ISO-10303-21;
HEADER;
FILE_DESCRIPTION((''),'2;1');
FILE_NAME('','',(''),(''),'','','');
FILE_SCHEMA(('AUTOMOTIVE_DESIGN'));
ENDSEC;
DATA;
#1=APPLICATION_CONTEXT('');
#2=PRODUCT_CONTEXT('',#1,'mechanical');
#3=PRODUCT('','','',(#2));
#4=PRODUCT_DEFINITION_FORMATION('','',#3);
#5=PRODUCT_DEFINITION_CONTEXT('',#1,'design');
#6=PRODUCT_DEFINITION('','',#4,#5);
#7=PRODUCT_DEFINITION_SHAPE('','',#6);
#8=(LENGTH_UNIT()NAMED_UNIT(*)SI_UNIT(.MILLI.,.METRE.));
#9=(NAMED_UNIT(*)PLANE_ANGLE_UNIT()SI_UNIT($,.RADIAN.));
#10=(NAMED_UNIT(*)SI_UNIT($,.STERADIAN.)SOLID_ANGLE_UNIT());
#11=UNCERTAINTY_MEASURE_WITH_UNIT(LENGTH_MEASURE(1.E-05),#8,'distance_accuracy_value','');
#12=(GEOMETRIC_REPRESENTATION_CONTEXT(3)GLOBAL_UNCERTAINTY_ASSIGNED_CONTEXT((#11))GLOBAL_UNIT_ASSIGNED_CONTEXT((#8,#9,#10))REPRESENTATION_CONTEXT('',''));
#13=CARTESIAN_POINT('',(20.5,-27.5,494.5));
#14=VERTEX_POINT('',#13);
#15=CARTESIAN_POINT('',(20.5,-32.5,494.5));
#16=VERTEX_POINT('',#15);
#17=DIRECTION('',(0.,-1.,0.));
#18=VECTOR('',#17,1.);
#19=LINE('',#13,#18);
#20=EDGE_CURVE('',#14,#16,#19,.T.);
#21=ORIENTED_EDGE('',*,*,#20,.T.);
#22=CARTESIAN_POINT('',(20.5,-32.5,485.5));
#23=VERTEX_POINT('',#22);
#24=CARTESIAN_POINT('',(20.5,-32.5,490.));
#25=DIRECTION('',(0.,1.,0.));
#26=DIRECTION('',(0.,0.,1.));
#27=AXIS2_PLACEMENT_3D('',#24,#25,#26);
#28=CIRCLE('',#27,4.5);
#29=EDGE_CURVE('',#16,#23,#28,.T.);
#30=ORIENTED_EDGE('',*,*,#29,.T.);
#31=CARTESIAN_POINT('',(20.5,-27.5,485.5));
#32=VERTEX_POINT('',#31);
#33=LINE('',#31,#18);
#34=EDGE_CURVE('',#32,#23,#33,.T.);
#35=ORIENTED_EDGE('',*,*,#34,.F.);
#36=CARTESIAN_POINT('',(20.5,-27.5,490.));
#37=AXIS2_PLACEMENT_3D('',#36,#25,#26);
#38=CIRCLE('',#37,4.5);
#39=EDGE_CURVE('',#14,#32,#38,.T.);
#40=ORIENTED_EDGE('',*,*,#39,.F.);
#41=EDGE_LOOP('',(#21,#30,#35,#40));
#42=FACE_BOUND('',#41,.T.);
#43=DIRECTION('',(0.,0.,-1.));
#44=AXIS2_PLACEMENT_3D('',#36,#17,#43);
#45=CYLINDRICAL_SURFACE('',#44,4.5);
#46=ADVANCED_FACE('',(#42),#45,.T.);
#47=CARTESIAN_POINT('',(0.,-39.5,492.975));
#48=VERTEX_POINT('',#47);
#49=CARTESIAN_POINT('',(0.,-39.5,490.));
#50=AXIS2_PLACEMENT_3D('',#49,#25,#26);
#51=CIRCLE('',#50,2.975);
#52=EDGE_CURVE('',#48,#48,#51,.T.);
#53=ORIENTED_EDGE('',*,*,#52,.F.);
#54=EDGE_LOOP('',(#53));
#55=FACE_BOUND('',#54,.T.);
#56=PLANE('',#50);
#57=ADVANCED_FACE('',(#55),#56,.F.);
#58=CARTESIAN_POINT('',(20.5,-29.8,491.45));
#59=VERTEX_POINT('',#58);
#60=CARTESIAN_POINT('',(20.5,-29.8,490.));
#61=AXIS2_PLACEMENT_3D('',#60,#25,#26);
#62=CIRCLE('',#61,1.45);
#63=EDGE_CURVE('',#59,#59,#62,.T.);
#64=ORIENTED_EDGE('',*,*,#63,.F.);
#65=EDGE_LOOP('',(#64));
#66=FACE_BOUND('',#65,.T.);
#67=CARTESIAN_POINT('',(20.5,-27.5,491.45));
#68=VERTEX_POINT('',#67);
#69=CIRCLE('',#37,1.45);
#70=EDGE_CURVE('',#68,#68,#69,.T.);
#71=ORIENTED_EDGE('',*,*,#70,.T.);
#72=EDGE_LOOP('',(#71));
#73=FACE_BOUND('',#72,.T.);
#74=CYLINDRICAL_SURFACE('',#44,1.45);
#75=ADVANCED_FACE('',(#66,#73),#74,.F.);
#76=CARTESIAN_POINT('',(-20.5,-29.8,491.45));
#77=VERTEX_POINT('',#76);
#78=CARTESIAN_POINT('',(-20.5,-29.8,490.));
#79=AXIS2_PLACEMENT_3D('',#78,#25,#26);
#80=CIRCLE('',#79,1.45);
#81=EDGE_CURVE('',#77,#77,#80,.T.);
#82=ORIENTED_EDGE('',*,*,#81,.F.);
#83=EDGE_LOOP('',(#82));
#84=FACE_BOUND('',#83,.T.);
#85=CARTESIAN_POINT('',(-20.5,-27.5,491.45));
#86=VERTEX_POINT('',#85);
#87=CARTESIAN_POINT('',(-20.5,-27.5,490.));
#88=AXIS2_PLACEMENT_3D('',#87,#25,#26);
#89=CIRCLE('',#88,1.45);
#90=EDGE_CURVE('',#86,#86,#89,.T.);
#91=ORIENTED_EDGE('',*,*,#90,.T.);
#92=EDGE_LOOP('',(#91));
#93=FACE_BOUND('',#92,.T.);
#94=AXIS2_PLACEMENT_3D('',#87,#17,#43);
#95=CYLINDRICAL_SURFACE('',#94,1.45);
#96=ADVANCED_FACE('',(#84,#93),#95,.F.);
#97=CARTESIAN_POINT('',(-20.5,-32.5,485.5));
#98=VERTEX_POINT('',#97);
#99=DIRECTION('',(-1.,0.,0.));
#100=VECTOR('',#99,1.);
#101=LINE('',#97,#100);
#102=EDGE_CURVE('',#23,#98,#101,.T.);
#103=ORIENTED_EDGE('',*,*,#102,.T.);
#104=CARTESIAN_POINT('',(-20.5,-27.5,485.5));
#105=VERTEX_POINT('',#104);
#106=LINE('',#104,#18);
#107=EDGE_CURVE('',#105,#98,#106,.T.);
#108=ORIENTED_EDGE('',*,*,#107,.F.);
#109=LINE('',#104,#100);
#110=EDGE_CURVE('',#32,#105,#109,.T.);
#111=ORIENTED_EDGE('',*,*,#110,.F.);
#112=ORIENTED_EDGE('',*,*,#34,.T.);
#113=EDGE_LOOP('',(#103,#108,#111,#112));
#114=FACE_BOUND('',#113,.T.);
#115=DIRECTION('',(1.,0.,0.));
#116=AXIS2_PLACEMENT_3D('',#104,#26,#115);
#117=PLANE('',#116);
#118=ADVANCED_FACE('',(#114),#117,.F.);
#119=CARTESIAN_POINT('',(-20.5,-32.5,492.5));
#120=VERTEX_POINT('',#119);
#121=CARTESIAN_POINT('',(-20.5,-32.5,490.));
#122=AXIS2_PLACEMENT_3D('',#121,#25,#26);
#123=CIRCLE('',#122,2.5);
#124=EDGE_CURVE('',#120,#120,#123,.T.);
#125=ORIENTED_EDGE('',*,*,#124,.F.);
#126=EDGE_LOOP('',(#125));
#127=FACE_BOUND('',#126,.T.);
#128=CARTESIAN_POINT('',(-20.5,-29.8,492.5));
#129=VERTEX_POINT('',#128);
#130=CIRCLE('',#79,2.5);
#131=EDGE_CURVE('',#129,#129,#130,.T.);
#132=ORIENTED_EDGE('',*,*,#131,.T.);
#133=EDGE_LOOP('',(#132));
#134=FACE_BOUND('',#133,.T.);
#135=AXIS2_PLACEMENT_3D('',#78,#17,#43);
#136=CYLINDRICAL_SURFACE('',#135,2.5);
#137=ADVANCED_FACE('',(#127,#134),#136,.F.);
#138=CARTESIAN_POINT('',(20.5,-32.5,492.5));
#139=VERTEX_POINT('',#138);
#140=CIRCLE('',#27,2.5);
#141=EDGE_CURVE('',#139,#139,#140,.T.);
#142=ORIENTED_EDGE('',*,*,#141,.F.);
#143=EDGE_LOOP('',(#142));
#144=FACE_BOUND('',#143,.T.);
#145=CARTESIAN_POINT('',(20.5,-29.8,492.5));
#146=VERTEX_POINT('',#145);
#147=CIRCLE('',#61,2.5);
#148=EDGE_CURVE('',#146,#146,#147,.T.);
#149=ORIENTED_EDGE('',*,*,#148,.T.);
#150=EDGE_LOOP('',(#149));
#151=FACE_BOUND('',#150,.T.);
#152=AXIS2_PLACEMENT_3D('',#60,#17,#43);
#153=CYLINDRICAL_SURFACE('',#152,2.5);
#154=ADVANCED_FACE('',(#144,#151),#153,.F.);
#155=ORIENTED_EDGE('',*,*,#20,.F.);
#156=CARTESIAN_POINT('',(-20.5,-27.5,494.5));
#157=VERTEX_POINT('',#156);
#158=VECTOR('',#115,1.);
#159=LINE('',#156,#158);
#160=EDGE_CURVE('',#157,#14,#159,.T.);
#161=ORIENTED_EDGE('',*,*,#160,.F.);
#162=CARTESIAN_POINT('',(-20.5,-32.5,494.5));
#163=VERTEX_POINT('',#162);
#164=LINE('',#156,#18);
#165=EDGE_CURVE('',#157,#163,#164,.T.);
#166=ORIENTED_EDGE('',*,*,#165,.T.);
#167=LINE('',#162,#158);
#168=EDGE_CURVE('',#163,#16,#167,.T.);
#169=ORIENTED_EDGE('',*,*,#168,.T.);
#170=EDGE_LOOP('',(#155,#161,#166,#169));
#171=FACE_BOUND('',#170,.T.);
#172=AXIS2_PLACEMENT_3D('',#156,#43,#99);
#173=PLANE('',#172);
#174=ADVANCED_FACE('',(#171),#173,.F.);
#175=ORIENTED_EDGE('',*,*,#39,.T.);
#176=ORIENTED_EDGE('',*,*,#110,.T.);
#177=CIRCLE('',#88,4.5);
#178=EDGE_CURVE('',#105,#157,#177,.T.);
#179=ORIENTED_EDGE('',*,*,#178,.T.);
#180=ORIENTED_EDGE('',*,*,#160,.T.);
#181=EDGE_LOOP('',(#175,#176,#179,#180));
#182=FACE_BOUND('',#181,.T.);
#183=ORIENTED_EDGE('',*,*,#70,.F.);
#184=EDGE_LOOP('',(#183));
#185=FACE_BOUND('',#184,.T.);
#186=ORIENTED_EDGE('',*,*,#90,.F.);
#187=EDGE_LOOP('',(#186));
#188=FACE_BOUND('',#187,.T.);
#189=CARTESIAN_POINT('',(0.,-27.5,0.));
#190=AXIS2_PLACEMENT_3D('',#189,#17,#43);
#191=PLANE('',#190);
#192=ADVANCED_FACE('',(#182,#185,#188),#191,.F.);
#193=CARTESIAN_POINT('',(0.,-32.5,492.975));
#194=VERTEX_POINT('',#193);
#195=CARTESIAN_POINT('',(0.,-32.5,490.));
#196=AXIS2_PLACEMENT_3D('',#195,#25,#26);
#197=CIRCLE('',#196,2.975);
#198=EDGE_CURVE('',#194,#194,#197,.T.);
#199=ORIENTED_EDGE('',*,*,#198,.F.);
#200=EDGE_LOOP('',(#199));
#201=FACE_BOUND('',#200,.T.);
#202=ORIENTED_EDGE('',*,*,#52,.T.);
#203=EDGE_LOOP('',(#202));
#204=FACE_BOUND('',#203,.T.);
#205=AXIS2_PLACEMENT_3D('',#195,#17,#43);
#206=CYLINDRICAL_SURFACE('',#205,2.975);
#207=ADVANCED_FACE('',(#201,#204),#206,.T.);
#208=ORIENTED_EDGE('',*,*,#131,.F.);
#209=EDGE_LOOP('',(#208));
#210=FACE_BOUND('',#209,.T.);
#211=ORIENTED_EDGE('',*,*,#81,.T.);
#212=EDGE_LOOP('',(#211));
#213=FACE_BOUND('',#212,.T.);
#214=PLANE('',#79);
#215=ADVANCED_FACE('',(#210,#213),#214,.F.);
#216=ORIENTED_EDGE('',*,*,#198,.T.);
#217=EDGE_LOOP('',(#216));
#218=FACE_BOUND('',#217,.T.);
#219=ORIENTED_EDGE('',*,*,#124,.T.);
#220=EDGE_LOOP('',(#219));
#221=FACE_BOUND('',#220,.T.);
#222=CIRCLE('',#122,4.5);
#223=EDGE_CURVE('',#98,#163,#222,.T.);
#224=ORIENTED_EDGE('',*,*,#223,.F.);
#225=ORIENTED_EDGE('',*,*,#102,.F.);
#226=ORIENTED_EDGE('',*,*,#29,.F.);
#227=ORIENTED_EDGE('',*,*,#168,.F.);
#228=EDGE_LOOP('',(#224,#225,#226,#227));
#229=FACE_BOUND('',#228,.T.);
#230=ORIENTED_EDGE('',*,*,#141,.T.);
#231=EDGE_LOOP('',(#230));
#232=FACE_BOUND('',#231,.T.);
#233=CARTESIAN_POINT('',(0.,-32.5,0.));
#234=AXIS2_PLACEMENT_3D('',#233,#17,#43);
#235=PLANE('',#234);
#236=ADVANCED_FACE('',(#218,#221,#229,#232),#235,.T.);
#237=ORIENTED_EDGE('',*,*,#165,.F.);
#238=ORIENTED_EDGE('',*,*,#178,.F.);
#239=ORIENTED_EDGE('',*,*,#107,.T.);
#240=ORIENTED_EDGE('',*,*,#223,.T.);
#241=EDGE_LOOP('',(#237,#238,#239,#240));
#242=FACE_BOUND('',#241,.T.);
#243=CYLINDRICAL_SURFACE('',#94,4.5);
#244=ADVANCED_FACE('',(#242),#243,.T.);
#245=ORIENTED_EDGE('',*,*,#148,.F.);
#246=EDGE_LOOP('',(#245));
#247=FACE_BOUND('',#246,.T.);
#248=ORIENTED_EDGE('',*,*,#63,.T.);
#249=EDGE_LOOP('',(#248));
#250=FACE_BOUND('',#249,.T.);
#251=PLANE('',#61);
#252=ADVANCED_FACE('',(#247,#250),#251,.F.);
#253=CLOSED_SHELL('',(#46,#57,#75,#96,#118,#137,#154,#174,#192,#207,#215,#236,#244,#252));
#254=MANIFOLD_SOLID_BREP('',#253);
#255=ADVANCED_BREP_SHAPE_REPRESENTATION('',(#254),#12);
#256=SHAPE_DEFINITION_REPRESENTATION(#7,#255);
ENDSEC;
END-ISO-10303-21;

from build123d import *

# Parameters (mm, degrees)
BARRA_START         = -32.5
SK_BARRA_W          = 41
SK_BARRA_H          = 9
BARRA_DEPTH         = 5
EXTREMOS_START      = -32.5
SK_EXTREMOS_R       = 4.5
EXTREMOS_DEPTH      = 5
PERNO_696_START     = -39.5
SK_PERNO_696_R      = 2.975
PERNO_696_DEPTH     = 7
PASANTES_M2_5_START = -32.5
SK_PASANTES_M2_5_R  = 1.45
PASANTES_M2_5_DEPTH = 5
CAJAS_M2_5_START    = -32.5
SK_CAJAS_M2_5_R     = 2.5
CAJAS_M2_5_DEPTH    = 2.7


with BuildPart() as part:
    # Sk_Barra → Barra (new body)
    with BuildSketch(Plane(origin=(0, 0, 0), x_dir=(1, 0, 0), z_dir=(0, 1, 0)).offset(BARRA_START)):
        with Locations((0, -490)):
            Rectangle(SK_BARRA_W, SK_BARRA_H)
    extrude(amount=BARRA_DEPTH)

    # Sk_Extremos → Extremos (add)
    with BuildSketch(Plane(origin=(0, 0, 0), x_dir=(1, 0, 0), z_dir=(0, 1, 0)).offset(EXTREMOS_START)):
        with Locations((-20.5, -490)):
            Circle(SK_EXTREMOS_R)
        with Locations((20.5, -490)):
            Circle(SK_EXTREMOS_R)
    extrude(amount=EXTREMOS_DEPTH)

    # Sk_Perno_696 → Perno_696 (add)
    with BuildSketch(Plane(origin=(0, 0, 0), x_dir=(1, 0, 0), z_dir=(0, 1, 0)).offset(PERNO_696_START)):
        with Locations(Location((0, -490, 0), (0, 0, 270))):
            Circle(SK_PERNO_696_R)
    extrude(amount=PERNO_696_DEPTH)

    # Sk_Pasantes_M2-5 → Pasantes_M2-5 (cut)
    with BuildSketch(Plane(origin=(0, 0, 0), x_dir=(1, 0, 0), z_dir=(0, 1, 0)).offset(PASANTES_M2_5_START)):
        with Locations(Location((-20.5, -490, 0), (0, 0, 270))):
            Circle(SK_PASANTES_M2_5_R)
        with Locations(Location((20.5, -490, 0), (0, 0, 270))):
            Circle(SK_PASANTES_M2_5_R)
    extrude(amount=PASANTES_M2_5_DEPTH, mode=Mode.SUBTRACT)

    # Sk_Cajas_M2-5 → Cajas_M2-5 (cut)
    with BuildSketch(Plane(origin=(0, 0, 0), x_dir=(1, 0, 0), z_dir=(0, 1, 0)).offset(CAJAS_M2_5_START)):
        with Locations(Location((-20.5, -490, 0), (0, 0, 270))):
            Circle(SK_CAJAS_M2_5_R)
        with Locations(Location((20.5, -490, 0), (0, 0, 270))):
            Circle(SK_CAJAS_M2_5_R)
    extrude(amount=CAJAS_M2_5_DEPTH, mode=Mode.SUBTRACT)


solid = part.part
